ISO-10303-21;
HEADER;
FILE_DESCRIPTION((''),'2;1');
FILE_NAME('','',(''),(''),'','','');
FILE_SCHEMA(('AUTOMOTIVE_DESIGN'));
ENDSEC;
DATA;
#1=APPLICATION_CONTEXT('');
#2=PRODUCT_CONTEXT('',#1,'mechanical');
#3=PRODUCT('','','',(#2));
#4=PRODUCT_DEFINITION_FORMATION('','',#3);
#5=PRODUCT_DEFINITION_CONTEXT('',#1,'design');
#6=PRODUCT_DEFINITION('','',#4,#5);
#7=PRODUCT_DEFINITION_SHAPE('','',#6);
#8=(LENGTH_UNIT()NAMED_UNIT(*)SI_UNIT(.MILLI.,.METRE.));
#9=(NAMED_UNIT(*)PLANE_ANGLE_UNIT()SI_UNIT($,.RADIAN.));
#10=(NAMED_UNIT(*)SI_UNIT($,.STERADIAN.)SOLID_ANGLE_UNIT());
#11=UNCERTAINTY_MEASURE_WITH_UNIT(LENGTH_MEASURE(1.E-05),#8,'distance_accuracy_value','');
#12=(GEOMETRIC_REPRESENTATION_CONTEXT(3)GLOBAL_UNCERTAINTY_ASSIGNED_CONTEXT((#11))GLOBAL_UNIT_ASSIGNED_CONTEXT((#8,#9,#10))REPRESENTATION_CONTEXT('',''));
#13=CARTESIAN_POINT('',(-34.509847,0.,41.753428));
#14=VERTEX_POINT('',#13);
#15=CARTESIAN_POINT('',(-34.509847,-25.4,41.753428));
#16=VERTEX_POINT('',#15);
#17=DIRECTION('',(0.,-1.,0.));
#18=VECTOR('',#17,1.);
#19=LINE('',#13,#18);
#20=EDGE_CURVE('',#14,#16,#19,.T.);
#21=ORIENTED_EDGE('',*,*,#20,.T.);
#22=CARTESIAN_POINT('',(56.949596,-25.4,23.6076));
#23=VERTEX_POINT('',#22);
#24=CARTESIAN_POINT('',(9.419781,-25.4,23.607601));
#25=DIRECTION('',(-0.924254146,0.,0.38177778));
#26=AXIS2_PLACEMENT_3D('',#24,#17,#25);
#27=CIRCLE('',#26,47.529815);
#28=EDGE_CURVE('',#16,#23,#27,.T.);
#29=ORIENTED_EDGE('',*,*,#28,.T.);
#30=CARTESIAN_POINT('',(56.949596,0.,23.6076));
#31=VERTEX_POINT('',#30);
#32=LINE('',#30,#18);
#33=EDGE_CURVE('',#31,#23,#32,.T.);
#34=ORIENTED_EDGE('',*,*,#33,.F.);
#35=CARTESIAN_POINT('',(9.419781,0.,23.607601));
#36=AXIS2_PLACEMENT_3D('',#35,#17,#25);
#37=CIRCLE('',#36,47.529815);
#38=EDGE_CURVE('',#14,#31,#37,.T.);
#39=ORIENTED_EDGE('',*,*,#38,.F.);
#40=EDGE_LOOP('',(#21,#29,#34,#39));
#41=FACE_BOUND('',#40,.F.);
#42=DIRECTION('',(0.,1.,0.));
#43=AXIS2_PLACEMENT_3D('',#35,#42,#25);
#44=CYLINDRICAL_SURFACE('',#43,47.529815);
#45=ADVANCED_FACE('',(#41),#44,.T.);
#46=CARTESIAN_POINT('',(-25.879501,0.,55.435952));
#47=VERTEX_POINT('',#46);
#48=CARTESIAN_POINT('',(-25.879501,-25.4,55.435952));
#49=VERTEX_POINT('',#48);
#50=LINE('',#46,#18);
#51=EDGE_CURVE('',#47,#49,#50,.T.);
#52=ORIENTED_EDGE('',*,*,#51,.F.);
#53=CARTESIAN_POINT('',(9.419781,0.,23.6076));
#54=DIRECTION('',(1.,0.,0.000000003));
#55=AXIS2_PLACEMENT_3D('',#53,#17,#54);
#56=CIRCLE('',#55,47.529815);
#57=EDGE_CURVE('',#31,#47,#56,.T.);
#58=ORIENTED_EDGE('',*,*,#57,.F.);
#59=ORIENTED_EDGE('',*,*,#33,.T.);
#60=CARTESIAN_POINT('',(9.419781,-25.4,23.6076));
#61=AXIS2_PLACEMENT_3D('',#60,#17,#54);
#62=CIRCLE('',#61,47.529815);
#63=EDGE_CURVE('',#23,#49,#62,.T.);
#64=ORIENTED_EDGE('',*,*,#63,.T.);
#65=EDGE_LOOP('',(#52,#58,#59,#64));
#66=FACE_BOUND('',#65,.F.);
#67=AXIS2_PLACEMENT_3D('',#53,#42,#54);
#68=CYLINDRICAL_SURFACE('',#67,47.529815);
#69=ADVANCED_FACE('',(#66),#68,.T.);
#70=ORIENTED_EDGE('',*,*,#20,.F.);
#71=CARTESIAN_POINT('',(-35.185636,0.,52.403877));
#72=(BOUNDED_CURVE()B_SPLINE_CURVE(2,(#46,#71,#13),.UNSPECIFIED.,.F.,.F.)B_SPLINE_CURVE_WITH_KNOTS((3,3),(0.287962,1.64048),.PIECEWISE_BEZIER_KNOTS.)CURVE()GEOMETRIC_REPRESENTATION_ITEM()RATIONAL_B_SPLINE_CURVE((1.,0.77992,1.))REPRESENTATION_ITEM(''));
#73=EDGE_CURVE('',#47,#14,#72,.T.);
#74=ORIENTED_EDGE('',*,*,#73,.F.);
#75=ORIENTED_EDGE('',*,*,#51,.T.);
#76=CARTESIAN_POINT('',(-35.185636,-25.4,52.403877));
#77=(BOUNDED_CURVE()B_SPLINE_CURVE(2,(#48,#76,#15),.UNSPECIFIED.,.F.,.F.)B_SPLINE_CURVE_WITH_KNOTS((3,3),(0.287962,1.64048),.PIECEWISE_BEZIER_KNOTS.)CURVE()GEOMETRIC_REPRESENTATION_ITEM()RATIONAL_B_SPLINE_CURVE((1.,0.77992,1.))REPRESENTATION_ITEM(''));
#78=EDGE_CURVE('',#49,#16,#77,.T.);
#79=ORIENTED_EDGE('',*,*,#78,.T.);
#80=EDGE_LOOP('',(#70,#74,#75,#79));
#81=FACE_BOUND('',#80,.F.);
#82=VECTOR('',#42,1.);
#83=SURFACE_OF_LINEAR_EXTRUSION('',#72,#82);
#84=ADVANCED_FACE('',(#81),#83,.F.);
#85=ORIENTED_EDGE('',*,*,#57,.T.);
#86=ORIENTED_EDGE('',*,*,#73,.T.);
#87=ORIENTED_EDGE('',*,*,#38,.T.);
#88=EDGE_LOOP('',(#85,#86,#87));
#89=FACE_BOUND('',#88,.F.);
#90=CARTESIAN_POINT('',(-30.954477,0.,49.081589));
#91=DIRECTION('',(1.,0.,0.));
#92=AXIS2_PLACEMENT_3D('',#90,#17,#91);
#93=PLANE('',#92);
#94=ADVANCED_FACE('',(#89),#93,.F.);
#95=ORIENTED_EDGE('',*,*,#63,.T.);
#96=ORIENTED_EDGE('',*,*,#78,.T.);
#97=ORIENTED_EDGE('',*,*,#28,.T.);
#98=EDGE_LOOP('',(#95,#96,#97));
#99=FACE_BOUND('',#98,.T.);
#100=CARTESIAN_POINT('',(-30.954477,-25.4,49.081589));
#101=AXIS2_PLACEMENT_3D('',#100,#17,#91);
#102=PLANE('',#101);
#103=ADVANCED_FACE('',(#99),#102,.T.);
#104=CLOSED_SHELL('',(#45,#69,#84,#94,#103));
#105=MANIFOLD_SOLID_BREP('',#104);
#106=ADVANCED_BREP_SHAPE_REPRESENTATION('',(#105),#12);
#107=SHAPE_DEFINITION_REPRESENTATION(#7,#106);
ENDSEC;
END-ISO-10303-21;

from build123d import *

# Parameters (mm, degrees)
F1_DEPTH = 25.4


with BuildPart() as f1:
    # F0 (on Front) → F1 (new body)
    with BuildSketch(Plane.XZ):
        with BuildLine():
            ThreePointArc((-34.509847, 41.753428), (-30.781063, 48.96456), (-25.879501, 55.435952))
            add(Edge.make_bspline(
                [(-25.879501, 55.435952), (-35.185636, 52.403877), (-34.509847, 41.753428)],
                knots=[0.287962, 0.287962, 0.287962, 1.64048, 1.64048, 1.64048], degree=2, weights=[1, 0.77992, 1]))
        make_face()
        with BuildLine():
            add(Edge.make_bspline(
                [(-10.350131, 42.679753), (-10.350131, 60.495648), (-25.879501, 55.435952)],
                knots=[4.712389, 4.712389, 4.712389, 6.571148, 6.571148, 6.571148], degree=2, weights=[1, 0.598331, 1]))
            ThreePointArc((-25.879501, 55.435952), (-30.781063, 48.96456), (-34.509847, 41.753428))
            add(Edge.make_bspline(
                [(-34.509847, 41.753428), (-33.696575, 28.93626), (-22.023353, 29.383831), (-10.350131, 29.831402), (-10.350131, 42.679753)],
                knots=[1.64048, 1.64048, 1.64048, 3.176435, 3.176435, 4.712389, 4.712389, 4.712389], degree=2, weights=[1, 0.719317, 1, 0.719317, 1]))
        make_face()
        with BuildLine():
            ThreePointArc((-34.509847, 41.753428), (0.170019, -23.01348), (56.949596, 23.6076))
            ThreePointArc((56.949596, 23.6076), (26.468461, 67.974545), (-25.879501, 55.435952))
            add(Edge.make_bspline(
                [(-10.350131, 42.679753), (-10.350131, 60.495648), (-25.879501, 55.435952)],
                knots=[4.712389, 4.712389, 4.712389, 6.571148, 6.571148, 6.571148], degree=2, weights=[1, 0.598331, 1]))
            add(Edge.make_bspline(
                [(-34.509847, 41.753428), (-33.696575, 28.93626), (-22.023353, 29.383831), (-10.350131, 29.831402), (-10.350131, 42.679753)],
                knots=[1.64048, 1.64048, 1.64048, 3.176435, 3.176435, 4.712389, 4.712389, 4.712389], degree=2, weights=[1, 0.719317, 1, 0.719317, 1]))
        make_face()
        with BuildLine():
            add(Edge.make_bspline(
                [(17.327748, 11.978242), (17.327748, 46.22695), (-19.304738, 29.102596), (-55.937224, 11.978242), (-19.304738, -5.146112), (17.327748, -22.270467), (17.327748, 11.978242)],
                knots=[0, 0, 0, 2.094395, 2.094395, 4.18879, 4.18879, 6.283185, 6.283185, 6.283185], degree=2, weights=[1, 0.5, 1, 0.5, 1, 0.5, 1]))
        make_face(mode=Mode.SUBTRACT)
        with BuildLine():
            add(Edge.make_bspline(
                [(46.168562, 37.330247), (52.450335, 57.6832), (21.0501, 56.228742), (-10.350136, 54.774284), (14.768326, 35.87579), (39.886789, 16.977295), (46.168562, 37.330247)],
                knots=[0, 0, 0, 2.094395, 2.094395, 4.18879, 4.18879, 6.283185, 6.283185, 6.283185], degree=2, weights=[1, 0.5, 1, 0.5, 1, 0.5, 1]))
        make_face(mode=Mode.SUBTRACT)
        with BuildLine():
            add(Edge.make_bspline(
                [(46.168562, 37.330247), (52.450335, 57.6832), (21.0501, 56.228742), (-10.350136, 54.774284), (14.768326, 35.87579), (39.886789, 16.977295), (46.168562, 37.330247)],
                knots=[0, 0, 0, 2.094395, 2.094395, 4.18879, 4.18879, 6.283185, 6.283185, 6.283185], degree=2, weights=[1, 0.5, 1, 0.5, 1, 0.5, 1]))
        make_face()
        with BuildLine():
            add(Edge.make_bspline(
                [(17.327748, 11.978242), (17.327748, 46.22695), (-19.304738, 29.102596), (-55.937224, 11.978242), (-19.304738, -5.146112), (17.327748, -22.270467), (17.327748, 11.978242)],
                knots=[0, 0, 0, 2.094395, 2.094395, 4.18879, 4.18879, 6.283185, 6.283185, 6.283185], degree=2, weights=[1, 0.5, 1, 0.5, 1, 0.5, 1]))
        make_face()
    extrude(amount=F1_DEPTH)


solid = f1.part
